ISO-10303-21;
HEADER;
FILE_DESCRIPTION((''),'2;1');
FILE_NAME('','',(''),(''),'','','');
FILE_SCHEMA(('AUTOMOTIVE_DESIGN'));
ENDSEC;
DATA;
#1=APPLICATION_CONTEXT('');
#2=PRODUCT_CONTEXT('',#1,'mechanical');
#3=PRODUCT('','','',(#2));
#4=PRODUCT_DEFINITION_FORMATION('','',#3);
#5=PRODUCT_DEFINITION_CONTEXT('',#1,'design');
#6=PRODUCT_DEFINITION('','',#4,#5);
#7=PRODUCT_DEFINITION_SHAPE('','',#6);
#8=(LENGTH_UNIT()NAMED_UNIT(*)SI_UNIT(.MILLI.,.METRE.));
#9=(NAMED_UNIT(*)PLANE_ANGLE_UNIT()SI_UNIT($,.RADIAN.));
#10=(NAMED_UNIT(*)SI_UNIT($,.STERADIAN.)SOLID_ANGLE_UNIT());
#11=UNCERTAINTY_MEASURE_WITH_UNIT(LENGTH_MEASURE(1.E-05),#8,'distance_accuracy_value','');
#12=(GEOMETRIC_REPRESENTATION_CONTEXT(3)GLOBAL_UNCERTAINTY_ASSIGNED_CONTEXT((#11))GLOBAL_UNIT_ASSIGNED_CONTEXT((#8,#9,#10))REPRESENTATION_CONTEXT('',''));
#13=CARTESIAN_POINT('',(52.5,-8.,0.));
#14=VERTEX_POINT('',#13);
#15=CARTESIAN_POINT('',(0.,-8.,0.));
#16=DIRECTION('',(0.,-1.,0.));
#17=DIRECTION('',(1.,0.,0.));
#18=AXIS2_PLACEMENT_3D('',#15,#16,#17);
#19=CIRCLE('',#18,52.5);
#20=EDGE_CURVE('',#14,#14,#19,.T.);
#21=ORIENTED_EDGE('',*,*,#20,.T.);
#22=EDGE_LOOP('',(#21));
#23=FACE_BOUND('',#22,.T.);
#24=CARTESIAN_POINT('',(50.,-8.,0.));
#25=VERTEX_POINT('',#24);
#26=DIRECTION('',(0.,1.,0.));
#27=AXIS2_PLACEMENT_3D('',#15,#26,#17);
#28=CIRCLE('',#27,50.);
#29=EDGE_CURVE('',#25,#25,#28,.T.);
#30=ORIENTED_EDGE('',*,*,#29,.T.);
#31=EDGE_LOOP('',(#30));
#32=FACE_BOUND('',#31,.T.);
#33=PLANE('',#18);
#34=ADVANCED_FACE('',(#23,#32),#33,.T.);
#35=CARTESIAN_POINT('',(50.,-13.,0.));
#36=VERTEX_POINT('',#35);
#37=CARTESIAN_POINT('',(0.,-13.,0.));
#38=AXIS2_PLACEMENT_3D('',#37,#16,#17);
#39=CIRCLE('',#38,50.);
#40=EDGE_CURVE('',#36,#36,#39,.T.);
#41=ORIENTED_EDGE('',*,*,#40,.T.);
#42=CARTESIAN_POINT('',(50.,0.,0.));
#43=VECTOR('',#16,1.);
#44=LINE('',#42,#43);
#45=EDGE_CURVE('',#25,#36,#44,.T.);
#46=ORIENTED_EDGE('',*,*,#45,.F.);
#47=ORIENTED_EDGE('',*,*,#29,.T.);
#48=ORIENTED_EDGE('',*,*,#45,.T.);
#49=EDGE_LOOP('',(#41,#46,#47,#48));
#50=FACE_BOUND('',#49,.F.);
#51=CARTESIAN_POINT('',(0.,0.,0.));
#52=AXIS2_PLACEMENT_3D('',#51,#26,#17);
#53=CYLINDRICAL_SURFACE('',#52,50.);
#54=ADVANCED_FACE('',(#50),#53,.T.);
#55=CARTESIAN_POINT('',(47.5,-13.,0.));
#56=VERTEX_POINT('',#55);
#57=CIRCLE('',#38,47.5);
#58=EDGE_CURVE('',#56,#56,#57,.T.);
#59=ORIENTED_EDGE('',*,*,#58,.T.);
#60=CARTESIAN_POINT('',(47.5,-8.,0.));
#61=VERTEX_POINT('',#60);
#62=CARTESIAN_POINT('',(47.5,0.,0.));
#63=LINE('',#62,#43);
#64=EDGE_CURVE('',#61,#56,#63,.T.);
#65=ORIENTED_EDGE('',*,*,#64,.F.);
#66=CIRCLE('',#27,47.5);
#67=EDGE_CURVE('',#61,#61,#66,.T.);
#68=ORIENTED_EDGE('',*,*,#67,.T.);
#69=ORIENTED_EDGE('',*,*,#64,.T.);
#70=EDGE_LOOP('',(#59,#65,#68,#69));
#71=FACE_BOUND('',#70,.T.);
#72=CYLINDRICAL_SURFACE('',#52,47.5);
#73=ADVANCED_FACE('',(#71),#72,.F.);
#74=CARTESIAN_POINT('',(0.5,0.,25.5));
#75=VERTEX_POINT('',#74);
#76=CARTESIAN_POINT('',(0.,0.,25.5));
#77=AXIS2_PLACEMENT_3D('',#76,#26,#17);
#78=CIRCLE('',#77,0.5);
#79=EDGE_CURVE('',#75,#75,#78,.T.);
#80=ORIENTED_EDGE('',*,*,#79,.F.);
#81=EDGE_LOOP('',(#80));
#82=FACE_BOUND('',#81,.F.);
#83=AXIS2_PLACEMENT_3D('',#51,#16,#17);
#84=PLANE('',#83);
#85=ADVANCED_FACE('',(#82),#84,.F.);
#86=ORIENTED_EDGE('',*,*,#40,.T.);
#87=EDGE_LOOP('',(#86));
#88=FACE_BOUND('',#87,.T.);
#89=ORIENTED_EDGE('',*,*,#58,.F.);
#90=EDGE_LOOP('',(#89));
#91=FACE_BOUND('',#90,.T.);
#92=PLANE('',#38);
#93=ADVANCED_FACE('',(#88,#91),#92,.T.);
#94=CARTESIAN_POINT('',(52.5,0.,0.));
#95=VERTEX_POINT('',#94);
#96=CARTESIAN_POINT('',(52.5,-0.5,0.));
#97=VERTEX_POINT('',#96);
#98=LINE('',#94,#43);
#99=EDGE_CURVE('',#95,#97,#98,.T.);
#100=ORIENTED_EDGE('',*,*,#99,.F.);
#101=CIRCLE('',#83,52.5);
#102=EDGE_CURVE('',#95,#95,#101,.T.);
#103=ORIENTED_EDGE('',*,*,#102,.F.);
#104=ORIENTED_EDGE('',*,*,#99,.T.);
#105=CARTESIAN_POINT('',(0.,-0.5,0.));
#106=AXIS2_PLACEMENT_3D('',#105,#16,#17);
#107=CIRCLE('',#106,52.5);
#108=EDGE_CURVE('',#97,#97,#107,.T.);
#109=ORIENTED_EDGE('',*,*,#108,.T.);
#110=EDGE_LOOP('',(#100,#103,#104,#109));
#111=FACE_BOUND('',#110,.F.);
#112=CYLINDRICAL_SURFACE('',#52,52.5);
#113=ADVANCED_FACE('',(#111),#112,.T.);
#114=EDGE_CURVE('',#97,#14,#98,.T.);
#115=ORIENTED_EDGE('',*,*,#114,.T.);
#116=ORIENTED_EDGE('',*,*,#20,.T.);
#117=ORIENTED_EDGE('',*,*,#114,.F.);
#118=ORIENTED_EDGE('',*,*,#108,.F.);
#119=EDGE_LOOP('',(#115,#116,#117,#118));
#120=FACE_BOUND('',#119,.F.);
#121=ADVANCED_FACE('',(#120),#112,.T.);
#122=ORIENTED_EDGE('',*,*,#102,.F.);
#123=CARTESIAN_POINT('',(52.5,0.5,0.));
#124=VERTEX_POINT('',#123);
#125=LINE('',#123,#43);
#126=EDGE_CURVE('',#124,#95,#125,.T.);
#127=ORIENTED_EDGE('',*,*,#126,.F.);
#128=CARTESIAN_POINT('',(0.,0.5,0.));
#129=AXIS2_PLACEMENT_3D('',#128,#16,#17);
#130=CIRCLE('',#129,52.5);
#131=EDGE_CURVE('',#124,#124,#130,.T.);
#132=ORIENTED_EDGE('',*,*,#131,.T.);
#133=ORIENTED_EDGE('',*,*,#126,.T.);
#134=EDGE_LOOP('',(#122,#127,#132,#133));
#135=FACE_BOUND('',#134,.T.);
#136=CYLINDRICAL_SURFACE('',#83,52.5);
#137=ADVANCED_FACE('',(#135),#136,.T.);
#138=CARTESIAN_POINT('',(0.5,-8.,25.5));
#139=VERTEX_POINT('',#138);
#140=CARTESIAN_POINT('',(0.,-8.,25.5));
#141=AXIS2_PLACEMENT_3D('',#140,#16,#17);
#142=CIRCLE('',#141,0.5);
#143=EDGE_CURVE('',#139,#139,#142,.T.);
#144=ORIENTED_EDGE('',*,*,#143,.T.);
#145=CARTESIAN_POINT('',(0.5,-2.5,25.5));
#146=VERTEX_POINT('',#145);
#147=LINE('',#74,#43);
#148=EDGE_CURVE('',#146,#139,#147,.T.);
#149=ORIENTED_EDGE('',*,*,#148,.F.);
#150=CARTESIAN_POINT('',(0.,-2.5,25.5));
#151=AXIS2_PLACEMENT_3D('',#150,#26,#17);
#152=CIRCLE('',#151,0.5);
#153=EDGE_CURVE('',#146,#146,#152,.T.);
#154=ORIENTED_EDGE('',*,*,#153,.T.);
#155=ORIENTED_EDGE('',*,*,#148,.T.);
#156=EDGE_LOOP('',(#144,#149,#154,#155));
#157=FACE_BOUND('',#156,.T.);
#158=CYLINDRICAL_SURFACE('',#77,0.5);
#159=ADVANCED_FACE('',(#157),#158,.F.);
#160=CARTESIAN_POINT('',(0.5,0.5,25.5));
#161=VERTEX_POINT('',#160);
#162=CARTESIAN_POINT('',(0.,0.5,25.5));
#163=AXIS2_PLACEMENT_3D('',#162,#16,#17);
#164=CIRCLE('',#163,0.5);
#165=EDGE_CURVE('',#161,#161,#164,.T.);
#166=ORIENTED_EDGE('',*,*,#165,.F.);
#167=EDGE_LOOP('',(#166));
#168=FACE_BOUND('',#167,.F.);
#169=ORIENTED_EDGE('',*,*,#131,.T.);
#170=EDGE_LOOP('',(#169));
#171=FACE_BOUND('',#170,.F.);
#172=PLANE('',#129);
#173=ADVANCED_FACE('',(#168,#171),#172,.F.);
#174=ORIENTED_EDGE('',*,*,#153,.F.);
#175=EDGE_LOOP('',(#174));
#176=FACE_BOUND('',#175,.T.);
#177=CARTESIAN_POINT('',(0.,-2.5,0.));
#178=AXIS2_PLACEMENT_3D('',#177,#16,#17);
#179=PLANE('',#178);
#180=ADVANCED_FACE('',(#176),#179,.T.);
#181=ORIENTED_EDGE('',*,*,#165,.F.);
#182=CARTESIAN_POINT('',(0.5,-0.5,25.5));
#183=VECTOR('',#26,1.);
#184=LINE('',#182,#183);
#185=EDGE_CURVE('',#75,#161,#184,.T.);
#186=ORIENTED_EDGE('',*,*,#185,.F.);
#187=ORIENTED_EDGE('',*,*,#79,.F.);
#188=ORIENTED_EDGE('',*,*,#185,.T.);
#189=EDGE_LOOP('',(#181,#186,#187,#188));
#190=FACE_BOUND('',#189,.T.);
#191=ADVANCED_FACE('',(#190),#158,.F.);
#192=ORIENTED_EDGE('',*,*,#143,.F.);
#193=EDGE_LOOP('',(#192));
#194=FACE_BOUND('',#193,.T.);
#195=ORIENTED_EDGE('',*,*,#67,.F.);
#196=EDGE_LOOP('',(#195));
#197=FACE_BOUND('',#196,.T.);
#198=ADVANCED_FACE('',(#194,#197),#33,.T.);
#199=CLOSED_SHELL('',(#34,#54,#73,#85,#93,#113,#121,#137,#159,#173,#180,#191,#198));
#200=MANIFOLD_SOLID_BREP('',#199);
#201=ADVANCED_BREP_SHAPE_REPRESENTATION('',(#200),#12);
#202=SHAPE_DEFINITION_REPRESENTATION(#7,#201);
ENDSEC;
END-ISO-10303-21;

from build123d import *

# Parameters (mm, degrees)
F0_R     = 50
F1_DEPTH = 13
F2_T     = -2.5
F3_R     = 52.5
F3_R_2   = 0.5
F4_DEPTH = 8
F5_DEPTH = 0.5


with BuildPart() as f1:
    # F0 (on Front) → F1 (new body)
    with BuildSketch(Plane.XZ):
        Circle(F0_R)
    extrude(amount=F1_DEPTH)

    # F2
    f2_openings = [f1.faces().sort_by_distance(p)[0] for p in [
        (0, -13, 0),
    ]]
    offset(amount=F2_T, openings=f2_openings)

    # F3 (on Front) → F4 (join)
    with BuildSketch(Plane.XZ):
        Circle(F3_R)
        with Locations((0, 25.5)):
            Circle(F3_R_2, mode=Mode.SUBTRACT)
    extrude(amount=F4_DEPTH)

    # F3 (on Front) → F5 (join, symmetric)
    with BuildSketch(Plane.XZ):
        Circle(F3_R)
        with Locations((0, 25.5)):
            Circle(F3_R_2, mode=Mode.SUBTRACT)
    extrude(amount=F5_DEPTH, both=True)


solid = f1.part
